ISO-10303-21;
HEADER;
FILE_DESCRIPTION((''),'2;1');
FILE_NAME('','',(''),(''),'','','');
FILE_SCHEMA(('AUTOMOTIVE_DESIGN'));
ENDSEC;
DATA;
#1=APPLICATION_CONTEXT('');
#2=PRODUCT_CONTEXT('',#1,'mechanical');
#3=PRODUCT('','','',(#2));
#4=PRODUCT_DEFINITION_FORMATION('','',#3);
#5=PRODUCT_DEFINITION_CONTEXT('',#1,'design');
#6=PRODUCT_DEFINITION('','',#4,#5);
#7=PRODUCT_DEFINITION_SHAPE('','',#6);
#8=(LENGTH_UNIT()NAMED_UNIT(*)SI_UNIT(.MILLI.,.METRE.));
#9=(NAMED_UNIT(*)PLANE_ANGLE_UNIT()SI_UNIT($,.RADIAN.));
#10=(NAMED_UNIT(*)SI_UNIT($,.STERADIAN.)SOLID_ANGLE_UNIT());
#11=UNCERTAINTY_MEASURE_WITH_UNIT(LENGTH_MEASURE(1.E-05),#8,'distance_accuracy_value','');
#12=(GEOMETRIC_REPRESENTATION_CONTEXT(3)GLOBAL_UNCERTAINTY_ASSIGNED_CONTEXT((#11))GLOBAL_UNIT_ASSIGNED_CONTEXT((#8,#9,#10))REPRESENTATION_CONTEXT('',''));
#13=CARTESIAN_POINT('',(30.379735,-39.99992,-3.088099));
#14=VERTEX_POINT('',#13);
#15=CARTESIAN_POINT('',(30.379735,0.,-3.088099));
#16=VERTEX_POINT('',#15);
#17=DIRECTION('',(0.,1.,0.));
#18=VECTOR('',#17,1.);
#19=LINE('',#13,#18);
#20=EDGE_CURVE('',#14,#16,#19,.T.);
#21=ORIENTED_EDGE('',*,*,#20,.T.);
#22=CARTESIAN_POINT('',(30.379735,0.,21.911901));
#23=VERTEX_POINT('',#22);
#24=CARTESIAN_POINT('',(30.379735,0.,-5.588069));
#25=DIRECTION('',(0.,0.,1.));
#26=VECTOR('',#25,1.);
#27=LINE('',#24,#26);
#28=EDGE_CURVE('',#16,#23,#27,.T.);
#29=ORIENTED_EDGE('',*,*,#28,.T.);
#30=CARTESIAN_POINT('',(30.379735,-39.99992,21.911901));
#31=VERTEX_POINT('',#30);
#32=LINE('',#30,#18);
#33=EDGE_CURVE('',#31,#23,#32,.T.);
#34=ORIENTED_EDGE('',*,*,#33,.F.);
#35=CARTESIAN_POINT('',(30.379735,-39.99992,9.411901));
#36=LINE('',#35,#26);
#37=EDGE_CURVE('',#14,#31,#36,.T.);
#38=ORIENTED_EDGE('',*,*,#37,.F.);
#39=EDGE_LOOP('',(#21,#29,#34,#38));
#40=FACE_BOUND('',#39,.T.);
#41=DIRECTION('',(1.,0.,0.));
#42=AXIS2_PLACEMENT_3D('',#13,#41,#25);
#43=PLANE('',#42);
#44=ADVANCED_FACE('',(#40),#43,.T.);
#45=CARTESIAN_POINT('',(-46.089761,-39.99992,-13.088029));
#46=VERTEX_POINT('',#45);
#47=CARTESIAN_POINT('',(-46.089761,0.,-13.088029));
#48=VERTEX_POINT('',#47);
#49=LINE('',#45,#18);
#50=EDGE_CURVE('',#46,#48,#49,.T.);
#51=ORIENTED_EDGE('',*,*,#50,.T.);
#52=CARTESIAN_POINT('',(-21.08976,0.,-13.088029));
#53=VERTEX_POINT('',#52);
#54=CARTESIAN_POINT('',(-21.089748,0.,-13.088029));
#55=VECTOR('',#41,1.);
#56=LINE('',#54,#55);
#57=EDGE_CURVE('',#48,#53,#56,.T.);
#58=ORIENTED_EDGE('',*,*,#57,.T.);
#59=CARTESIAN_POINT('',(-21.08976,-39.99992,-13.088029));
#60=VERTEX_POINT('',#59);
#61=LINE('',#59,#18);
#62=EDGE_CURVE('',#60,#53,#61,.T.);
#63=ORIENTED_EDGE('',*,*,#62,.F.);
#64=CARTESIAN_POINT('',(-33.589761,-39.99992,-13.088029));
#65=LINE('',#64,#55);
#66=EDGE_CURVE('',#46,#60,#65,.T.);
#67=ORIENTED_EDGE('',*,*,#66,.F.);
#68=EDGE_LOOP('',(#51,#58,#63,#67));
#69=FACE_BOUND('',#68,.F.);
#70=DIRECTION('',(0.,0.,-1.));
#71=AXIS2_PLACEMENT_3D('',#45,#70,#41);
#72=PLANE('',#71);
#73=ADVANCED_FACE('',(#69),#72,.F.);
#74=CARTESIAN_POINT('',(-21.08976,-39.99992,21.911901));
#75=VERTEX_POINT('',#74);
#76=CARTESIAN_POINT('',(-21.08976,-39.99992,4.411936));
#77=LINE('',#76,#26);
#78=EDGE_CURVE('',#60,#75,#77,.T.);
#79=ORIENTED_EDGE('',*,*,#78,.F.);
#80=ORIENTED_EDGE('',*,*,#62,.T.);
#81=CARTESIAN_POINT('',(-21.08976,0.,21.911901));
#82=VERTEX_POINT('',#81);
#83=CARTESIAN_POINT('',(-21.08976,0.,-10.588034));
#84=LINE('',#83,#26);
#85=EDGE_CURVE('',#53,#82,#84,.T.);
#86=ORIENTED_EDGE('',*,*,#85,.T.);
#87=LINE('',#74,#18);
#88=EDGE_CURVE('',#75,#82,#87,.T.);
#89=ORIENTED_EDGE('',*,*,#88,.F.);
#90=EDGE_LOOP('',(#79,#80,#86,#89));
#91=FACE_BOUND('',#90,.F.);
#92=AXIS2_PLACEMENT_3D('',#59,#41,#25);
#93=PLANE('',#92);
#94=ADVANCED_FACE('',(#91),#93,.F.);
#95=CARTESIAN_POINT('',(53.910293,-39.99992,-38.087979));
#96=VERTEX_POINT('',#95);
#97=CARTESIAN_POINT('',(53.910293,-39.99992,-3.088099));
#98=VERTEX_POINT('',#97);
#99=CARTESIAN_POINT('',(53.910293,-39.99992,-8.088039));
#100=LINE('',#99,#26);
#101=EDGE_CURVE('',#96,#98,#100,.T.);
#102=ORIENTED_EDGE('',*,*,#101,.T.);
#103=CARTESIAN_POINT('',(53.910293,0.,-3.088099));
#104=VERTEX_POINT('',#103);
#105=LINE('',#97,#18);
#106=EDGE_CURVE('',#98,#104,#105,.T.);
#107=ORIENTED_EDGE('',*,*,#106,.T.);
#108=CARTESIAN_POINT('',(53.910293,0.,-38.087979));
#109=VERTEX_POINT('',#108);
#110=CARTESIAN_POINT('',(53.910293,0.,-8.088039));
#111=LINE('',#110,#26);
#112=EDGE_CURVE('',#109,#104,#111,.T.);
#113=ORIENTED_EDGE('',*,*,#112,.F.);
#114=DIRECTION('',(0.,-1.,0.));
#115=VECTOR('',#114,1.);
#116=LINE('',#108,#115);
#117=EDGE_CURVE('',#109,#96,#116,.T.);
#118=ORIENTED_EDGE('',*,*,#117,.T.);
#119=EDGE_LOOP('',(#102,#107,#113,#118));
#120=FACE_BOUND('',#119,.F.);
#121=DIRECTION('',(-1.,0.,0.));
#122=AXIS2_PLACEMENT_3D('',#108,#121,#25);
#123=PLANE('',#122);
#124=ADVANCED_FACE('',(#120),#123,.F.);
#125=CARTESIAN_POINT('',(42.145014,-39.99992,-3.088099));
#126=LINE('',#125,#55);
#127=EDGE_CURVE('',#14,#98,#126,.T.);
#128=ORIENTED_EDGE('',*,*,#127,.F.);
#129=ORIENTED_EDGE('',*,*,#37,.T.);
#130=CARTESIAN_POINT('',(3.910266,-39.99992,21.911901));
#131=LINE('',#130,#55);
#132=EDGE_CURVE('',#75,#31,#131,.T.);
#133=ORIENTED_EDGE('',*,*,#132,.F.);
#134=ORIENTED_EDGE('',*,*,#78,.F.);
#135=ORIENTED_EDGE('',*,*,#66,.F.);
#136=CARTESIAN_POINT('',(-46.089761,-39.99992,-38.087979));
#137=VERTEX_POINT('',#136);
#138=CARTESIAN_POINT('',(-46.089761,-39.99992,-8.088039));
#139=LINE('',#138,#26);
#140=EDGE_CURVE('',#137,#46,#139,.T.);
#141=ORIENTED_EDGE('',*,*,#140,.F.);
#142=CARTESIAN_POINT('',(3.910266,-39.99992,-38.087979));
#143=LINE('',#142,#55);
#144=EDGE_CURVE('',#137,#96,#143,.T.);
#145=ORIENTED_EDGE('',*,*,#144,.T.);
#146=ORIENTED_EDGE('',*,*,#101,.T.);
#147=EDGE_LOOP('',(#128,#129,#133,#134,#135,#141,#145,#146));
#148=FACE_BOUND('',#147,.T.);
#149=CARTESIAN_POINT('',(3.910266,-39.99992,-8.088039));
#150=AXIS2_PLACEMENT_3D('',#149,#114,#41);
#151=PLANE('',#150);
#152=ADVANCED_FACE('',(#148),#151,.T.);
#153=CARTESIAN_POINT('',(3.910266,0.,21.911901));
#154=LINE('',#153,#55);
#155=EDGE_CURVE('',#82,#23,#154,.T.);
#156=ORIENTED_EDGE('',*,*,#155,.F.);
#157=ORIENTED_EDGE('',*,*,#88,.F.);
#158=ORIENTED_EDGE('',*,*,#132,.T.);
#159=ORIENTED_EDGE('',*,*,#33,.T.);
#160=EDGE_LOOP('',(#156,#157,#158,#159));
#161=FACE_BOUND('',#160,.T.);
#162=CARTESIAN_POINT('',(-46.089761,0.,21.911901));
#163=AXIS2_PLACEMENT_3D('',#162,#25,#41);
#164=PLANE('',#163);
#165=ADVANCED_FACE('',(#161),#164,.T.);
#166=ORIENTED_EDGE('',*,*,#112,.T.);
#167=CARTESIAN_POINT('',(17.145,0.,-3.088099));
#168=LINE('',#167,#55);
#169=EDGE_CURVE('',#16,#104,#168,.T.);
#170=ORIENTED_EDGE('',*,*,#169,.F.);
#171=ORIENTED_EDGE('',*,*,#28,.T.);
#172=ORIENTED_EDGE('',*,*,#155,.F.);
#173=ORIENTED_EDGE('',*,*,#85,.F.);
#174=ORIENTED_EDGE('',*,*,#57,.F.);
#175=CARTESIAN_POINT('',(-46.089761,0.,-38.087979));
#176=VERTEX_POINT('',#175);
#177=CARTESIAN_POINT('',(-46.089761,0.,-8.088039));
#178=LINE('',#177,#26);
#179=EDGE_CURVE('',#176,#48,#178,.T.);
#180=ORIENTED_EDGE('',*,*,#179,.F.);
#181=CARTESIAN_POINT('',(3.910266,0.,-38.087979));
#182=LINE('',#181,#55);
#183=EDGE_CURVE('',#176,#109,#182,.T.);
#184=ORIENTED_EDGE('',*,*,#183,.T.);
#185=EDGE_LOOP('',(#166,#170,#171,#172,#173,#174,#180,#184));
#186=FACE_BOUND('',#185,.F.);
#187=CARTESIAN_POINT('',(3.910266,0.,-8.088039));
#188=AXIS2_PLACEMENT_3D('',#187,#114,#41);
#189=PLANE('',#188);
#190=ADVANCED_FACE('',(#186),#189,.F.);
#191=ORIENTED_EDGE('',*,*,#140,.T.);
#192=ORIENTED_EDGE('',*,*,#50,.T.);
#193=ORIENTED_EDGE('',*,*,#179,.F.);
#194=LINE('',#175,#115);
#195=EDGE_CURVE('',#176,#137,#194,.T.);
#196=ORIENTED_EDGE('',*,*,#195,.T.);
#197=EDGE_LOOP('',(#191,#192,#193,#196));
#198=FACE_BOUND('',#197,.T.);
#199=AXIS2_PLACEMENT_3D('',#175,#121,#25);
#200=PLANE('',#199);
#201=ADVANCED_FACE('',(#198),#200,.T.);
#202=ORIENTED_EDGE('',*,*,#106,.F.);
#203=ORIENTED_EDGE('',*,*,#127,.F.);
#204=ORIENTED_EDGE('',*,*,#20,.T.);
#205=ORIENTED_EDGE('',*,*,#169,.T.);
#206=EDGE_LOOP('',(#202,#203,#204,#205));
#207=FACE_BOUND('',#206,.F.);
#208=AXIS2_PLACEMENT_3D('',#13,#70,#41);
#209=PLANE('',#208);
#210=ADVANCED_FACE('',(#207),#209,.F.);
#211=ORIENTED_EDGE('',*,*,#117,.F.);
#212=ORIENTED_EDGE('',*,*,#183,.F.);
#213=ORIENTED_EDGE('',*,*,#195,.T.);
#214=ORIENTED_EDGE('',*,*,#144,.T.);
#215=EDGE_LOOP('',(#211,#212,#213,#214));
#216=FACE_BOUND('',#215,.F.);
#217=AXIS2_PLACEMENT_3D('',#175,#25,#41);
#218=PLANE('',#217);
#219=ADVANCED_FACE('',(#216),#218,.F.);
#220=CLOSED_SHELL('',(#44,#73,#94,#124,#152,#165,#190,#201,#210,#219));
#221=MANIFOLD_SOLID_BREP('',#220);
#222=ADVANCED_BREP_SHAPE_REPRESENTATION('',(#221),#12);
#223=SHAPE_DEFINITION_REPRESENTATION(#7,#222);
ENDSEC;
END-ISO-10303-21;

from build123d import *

# Parameters (mm, degrees)
F0_W     = 100.000054
F0_H     = 59.99988
F1_DEPTH = 39.99992
F2_W     = 23.5305579296
F2_H     = 25.0000008
F2_W_2   = 25.0000008
F2_H_2   = 34.99993
F3_DEPTH = 40.00092


with BuildPart() as f1:
    # F0 (on Front) → F1 (new body)
    with BuildSketch(Plane.XZ):
        with Locations((3.9102658629, -8.0880385926)):
            Rectangle(F0_W, F0_H)
    extrude(amount=F1_DEPTH)

    # F2 (on face) → F3 (cut, through all)
    with BuildSketch(Plane.XZ.offset(39.99992)):
        with Locations((42.1450138982, 9.4119010074)):
            Rectangle(F2_W, F2_H)
        with Locations((-33.5897607371, 4.4119364074)):
            Rectangle(F2_W_2, F2_H_2)
    extrude(amount=-F3_DEPTH, mode=Mode.SUBTRACT)


solid = f1.part
